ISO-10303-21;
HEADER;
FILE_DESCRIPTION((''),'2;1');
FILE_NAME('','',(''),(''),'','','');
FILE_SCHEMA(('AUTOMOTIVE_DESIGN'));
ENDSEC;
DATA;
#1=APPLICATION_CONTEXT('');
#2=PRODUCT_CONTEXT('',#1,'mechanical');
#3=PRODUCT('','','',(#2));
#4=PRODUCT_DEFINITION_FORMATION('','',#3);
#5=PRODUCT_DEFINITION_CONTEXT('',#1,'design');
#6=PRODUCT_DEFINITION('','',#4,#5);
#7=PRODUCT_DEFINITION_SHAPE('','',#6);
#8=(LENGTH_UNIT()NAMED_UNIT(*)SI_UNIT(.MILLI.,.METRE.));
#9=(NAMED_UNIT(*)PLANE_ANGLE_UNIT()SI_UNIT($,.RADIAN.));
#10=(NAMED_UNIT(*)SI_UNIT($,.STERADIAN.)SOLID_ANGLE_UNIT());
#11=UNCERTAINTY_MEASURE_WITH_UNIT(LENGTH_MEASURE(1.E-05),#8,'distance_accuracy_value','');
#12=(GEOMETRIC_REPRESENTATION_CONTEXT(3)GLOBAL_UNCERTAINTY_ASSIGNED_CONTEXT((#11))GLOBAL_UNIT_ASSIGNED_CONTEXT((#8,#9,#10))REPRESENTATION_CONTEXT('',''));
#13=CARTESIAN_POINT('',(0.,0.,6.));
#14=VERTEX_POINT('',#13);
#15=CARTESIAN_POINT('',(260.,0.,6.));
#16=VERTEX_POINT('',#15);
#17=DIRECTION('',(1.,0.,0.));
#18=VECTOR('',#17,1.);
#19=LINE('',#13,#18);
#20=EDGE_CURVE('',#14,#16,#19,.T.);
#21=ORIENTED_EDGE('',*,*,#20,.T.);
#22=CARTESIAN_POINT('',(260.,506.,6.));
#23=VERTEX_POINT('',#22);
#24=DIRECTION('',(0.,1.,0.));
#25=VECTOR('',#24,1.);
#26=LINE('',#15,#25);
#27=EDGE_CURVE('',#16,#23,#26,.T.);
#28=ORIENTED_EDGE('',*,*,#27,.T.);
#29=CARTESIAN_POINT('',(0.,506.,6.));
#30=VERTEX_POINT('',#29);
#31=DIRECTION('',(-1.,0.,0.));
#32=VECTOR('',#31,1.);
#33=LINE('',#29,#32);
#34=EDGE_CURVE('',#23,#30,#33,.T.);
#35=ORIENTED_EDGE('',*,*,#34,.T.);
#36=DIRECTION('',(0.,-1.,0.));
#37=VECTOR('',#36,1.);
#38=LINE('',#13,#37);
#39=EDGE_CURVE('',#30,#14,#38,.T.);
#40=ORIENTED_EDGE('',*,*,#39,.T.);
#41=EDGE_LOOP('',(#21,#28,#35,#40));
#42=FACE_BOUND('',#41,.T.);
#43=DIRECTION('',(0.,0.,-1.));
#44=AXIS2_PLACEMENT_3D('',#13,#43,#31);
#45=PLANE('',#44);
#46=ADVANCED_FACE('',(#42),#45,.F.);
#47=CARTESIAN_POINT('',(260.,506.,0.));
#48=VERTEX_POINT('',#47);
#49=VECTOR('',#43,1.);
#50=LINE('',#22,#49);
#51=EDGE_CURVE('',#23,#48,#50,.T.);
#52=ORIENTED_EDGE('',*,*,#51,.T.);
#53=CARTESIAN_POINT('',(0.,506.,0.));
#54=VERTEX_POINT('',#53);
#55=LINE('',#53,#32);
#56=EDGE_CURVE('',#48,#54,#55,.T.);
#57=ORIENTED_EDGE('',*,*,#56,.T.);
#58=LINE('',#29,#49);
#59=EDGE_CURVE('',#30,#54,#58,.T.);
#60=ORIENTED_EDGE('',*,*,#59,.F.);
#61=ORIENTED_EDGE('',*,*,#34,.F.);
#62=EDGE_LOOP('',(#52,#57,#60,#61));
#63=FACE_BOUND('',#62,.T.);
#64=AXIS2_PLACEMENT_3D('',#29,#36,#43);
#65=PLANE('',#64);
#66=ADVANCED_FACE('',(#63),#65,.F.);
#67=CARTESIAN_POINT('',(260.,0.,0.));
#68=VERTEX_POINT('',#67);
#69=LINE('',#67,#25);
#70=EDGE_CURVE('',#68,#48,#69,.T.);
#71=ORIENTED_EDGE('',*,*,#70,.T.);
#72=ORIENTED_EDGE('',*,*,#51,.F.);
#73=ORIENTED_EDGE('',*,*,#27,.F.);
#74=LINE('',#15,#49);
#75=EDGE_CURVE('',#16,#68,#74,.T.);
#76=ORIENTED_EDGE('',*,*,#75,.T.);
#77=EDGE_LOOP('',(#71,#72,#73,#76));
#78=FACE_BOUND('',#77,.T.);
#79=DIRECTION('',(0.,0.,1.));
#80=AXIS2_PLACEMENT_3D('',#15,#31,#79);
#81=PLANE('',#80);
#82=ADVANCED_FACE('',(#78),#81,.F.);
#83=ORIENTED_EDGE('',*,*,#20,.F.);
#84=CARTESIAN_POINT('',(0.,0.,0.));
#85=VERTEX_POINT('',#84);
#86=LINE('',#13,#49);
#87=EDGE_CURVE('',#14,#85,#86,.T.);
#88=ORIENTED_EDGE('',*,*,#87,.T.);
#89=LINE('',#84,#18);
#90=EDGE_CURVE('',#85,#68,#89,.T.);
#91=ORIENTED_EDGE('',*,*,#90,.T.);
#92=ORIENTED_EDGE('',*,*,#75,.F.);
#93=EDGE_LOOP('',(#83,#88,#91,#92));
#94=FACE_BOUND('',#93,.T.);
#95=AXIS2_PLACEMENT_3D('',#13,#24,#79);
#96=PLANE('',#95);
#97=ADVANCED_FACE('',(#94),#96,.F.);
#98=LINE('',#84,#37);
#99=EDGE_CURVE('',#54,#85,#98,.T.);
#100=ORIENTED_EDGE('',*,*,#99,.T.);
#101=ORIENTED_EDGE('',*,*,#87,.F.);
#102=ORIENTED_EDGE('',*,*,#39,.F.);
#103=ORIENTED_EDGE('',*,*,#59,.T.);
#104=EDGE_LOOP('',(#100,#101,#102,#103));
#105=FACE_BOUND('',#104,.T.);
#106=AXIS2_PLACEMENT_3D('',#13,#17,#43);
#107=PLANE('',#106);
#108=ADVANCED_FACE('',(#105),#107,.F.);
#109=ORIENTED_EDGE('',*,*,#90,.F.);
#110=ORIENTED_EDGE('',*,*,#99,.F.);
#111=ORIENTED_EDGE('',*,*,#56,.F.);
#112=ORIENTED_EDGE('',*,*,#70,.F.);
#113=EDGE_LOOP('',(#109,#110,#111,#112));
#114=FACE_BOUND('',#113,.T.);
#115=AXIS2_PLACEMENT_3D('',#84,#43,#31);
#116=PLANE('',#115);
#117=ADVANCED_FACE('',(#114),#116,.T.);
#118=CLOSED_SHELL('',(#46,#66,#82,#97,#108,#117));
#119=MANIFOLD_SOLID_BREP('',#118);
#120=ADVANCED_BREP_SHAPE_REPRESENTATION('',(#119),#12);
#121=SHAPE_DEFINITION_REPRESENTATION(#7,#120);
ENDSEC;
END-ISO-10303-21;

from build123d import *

# Parameters (mm, degrees)
SKETCH1_W           = 260
SKETCH1_H           = 506
BOSS_EXTRUDE1_DEPTH = 6


with BuildPart() as part:
    # Sketch1 → Boss-Extrude1 (new body)
    with BuildSketch(Plane.XY):
        with Locations((130, 253)):
            Rectangle(SKETCH1_W, SKETCH1_H)
    extrude(amount=BOSS_EXTRUDE1_DEPTH)


solid = part.part
